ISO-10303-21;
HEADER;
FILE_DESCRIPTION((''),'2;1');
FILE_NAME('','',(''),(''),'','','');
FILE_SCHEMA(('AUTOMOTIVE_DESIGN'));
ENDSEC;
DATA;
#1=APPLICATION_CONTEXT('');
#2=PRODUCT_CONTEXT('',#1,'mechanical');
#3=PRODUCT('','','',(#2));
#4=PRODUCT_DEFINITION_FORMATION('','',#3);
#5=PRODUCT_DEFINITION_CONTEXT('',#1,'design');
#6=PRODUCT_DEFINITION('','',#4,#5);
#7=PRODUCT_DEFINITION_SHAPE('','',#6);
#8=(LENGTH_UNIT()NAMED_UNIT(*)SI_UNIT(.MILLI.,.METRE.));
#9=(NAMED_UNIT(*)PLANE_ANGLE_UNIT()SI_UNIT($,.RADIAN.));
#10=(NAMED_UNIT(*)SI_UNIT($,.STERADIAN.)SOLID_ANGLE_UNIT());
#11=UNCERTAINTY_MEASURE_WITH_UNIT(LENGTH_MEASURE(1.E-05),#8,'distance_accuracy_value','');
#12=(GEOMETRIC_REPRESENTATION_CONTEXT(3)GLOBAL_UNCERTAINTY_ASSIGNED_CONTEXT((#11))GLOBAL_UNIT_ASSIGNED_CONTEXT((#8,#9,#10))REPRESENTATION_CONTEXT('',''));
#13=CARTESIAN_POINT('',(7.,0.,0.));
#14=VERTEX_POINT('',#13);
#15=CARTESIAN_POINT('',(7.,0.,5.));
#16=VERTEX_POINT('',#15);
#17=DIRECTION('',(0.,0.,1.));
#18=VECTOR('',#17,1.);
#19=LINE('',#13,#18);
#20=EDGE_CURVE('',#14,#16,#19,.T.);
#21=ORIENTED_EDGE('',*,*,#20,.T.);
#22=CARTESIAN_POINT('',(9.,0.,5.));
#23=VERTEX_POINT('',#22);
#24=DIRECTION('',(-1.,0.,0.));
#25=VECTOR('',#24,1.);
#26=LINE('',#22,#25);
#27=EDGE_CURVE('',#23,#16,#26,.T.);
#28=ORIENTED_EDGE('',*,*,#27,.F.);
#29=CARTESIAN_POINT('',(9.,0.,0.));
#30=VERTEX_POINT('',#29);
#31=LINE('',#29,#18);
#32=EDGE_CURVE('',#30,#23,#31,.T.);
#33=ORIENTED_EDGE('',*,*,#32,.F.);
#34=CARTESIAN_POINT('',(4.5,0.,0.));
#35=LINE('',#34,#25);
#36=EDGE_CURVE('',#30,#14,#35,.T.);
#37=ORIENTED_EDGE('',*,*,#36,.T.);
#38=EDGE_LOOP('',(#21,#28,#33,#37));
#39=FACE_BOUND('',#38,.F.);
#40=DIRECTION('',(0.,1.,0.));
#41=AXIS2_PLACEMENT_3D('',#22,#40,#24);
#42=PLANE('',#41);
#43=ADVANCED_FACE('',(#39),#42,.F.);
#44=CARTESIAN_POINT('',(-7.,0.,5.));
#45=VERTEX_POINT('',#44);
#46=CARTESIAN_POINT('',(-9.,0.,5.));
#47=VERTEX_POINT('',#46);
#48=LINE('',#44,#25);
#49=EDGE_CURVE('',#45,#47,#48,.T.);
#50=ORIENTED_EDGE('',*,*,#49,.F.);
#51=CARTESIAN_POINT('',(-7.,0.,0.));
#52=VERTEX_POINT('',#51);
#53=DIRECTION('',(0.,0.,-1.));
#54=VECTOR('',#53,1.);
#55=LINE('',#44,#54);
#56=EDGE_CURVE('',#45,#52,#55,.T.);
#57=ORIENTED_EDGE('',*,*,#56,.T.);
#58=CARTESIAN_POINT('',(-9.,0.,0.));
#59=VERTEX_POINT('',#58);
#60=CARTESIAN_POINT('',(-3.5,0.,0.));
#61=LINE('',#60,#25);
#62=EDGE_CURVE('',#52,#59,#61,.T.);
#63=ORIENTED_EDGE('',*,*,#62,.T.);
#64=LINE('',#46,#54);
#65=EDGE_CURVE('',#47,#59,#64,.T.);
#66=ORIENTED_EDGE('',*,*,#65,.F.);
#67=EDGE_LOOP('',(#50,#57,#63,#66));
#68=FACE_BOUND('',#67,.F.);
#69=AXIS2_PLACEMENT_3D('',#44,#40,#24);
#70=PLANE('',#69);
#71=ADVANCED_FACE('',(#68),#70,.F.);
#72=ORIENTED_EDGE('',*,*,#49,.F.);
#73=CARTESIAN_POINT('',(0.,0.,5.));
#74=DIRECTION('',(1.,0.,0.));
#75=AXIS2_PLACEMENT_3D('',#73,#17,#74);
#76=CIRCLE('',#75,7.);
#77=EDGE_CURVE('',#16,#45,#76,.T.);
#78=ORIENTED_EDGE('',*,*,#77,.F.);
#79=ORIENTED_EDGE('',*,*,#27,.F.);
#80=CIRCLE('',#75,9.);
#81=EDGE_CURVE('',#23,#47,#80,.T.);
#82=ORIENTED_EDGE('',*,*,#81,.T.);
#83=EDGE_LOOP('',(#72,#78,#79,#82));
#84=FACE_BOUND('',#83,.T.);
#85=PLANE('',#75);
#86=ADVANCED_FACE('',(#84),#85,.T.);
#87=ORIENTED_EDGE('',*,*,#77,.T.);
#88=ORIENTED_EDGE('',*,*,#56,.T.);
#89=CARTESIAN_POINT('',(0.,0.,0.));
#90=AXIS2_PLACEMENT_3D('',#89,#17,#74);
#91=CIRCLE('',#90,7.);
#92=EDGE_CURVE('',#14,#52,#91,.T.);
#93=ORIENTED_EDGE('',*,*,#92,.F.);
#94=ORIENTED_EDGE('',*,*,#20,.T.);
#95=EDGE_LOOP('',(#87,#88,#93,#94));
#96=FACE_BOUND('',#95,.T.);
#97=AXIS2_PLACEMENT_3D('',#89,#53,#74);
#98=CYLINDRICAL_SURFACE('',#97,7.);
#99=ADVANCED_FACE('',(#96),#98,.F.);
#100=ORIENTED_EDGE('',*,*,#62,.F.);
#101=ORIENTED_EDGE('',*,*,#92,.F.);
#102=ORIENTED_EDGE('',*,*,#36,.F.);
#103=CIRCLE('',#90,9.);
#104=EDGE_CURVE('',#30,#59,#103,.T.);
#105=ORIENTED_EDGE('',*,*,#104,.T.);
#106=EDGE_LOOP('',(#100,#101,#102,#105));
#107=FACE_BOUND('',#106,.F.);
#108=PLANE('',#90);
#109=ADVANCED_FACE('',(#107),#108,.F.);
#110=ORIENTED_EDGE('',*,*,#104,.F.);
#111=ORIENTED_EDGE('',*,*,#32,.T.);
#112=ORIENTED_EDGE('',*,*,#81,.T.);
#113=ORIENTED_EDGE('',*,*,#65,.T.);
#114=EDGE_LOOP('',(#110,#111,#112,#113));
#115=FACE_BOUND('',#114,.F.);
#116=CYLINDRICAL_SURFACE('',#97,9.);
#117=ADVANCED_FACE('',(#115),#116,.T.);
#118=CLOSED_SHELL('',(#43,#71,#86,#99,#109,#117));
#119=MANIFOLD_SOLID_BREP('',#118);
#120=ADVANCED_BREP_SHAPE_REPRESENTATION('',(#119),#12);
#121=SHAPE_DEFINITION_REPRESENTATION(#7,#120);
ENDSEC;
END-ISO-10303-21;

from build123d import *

# Parameters (mm, degrees)
F0_R     = 9
F0_R_2   = 7
F1_DEPTH = 5
F3_DEPTH = 25


with BuildPart() as f1:
    # F0 (on Top) → F1 (new body)
    with BuildSketch(Plane.XY):
        Circle(F0_R)
        Circle(F0_R_2, mode=Mode.SUBTRACT)
    extrude(amount=F1_DEPTH)

    # F2 (on face) → F3 (cut)
    with BuildSketch(Plane.XY.offset(5)):
        with BuildLine():
            Line((-7, 0), (-9, 0))
            ThreePointArc((-9, 0), (0, -9), (9, 0))
            Line((9, 0), (7, 0))
            ThreePointArc((7, 0), (0, -7), (-7, 0))
        make_face()
    extrude(amount=-F3_DEPTH, mode=Mode.SUBTRACT)


solid = f1.part
